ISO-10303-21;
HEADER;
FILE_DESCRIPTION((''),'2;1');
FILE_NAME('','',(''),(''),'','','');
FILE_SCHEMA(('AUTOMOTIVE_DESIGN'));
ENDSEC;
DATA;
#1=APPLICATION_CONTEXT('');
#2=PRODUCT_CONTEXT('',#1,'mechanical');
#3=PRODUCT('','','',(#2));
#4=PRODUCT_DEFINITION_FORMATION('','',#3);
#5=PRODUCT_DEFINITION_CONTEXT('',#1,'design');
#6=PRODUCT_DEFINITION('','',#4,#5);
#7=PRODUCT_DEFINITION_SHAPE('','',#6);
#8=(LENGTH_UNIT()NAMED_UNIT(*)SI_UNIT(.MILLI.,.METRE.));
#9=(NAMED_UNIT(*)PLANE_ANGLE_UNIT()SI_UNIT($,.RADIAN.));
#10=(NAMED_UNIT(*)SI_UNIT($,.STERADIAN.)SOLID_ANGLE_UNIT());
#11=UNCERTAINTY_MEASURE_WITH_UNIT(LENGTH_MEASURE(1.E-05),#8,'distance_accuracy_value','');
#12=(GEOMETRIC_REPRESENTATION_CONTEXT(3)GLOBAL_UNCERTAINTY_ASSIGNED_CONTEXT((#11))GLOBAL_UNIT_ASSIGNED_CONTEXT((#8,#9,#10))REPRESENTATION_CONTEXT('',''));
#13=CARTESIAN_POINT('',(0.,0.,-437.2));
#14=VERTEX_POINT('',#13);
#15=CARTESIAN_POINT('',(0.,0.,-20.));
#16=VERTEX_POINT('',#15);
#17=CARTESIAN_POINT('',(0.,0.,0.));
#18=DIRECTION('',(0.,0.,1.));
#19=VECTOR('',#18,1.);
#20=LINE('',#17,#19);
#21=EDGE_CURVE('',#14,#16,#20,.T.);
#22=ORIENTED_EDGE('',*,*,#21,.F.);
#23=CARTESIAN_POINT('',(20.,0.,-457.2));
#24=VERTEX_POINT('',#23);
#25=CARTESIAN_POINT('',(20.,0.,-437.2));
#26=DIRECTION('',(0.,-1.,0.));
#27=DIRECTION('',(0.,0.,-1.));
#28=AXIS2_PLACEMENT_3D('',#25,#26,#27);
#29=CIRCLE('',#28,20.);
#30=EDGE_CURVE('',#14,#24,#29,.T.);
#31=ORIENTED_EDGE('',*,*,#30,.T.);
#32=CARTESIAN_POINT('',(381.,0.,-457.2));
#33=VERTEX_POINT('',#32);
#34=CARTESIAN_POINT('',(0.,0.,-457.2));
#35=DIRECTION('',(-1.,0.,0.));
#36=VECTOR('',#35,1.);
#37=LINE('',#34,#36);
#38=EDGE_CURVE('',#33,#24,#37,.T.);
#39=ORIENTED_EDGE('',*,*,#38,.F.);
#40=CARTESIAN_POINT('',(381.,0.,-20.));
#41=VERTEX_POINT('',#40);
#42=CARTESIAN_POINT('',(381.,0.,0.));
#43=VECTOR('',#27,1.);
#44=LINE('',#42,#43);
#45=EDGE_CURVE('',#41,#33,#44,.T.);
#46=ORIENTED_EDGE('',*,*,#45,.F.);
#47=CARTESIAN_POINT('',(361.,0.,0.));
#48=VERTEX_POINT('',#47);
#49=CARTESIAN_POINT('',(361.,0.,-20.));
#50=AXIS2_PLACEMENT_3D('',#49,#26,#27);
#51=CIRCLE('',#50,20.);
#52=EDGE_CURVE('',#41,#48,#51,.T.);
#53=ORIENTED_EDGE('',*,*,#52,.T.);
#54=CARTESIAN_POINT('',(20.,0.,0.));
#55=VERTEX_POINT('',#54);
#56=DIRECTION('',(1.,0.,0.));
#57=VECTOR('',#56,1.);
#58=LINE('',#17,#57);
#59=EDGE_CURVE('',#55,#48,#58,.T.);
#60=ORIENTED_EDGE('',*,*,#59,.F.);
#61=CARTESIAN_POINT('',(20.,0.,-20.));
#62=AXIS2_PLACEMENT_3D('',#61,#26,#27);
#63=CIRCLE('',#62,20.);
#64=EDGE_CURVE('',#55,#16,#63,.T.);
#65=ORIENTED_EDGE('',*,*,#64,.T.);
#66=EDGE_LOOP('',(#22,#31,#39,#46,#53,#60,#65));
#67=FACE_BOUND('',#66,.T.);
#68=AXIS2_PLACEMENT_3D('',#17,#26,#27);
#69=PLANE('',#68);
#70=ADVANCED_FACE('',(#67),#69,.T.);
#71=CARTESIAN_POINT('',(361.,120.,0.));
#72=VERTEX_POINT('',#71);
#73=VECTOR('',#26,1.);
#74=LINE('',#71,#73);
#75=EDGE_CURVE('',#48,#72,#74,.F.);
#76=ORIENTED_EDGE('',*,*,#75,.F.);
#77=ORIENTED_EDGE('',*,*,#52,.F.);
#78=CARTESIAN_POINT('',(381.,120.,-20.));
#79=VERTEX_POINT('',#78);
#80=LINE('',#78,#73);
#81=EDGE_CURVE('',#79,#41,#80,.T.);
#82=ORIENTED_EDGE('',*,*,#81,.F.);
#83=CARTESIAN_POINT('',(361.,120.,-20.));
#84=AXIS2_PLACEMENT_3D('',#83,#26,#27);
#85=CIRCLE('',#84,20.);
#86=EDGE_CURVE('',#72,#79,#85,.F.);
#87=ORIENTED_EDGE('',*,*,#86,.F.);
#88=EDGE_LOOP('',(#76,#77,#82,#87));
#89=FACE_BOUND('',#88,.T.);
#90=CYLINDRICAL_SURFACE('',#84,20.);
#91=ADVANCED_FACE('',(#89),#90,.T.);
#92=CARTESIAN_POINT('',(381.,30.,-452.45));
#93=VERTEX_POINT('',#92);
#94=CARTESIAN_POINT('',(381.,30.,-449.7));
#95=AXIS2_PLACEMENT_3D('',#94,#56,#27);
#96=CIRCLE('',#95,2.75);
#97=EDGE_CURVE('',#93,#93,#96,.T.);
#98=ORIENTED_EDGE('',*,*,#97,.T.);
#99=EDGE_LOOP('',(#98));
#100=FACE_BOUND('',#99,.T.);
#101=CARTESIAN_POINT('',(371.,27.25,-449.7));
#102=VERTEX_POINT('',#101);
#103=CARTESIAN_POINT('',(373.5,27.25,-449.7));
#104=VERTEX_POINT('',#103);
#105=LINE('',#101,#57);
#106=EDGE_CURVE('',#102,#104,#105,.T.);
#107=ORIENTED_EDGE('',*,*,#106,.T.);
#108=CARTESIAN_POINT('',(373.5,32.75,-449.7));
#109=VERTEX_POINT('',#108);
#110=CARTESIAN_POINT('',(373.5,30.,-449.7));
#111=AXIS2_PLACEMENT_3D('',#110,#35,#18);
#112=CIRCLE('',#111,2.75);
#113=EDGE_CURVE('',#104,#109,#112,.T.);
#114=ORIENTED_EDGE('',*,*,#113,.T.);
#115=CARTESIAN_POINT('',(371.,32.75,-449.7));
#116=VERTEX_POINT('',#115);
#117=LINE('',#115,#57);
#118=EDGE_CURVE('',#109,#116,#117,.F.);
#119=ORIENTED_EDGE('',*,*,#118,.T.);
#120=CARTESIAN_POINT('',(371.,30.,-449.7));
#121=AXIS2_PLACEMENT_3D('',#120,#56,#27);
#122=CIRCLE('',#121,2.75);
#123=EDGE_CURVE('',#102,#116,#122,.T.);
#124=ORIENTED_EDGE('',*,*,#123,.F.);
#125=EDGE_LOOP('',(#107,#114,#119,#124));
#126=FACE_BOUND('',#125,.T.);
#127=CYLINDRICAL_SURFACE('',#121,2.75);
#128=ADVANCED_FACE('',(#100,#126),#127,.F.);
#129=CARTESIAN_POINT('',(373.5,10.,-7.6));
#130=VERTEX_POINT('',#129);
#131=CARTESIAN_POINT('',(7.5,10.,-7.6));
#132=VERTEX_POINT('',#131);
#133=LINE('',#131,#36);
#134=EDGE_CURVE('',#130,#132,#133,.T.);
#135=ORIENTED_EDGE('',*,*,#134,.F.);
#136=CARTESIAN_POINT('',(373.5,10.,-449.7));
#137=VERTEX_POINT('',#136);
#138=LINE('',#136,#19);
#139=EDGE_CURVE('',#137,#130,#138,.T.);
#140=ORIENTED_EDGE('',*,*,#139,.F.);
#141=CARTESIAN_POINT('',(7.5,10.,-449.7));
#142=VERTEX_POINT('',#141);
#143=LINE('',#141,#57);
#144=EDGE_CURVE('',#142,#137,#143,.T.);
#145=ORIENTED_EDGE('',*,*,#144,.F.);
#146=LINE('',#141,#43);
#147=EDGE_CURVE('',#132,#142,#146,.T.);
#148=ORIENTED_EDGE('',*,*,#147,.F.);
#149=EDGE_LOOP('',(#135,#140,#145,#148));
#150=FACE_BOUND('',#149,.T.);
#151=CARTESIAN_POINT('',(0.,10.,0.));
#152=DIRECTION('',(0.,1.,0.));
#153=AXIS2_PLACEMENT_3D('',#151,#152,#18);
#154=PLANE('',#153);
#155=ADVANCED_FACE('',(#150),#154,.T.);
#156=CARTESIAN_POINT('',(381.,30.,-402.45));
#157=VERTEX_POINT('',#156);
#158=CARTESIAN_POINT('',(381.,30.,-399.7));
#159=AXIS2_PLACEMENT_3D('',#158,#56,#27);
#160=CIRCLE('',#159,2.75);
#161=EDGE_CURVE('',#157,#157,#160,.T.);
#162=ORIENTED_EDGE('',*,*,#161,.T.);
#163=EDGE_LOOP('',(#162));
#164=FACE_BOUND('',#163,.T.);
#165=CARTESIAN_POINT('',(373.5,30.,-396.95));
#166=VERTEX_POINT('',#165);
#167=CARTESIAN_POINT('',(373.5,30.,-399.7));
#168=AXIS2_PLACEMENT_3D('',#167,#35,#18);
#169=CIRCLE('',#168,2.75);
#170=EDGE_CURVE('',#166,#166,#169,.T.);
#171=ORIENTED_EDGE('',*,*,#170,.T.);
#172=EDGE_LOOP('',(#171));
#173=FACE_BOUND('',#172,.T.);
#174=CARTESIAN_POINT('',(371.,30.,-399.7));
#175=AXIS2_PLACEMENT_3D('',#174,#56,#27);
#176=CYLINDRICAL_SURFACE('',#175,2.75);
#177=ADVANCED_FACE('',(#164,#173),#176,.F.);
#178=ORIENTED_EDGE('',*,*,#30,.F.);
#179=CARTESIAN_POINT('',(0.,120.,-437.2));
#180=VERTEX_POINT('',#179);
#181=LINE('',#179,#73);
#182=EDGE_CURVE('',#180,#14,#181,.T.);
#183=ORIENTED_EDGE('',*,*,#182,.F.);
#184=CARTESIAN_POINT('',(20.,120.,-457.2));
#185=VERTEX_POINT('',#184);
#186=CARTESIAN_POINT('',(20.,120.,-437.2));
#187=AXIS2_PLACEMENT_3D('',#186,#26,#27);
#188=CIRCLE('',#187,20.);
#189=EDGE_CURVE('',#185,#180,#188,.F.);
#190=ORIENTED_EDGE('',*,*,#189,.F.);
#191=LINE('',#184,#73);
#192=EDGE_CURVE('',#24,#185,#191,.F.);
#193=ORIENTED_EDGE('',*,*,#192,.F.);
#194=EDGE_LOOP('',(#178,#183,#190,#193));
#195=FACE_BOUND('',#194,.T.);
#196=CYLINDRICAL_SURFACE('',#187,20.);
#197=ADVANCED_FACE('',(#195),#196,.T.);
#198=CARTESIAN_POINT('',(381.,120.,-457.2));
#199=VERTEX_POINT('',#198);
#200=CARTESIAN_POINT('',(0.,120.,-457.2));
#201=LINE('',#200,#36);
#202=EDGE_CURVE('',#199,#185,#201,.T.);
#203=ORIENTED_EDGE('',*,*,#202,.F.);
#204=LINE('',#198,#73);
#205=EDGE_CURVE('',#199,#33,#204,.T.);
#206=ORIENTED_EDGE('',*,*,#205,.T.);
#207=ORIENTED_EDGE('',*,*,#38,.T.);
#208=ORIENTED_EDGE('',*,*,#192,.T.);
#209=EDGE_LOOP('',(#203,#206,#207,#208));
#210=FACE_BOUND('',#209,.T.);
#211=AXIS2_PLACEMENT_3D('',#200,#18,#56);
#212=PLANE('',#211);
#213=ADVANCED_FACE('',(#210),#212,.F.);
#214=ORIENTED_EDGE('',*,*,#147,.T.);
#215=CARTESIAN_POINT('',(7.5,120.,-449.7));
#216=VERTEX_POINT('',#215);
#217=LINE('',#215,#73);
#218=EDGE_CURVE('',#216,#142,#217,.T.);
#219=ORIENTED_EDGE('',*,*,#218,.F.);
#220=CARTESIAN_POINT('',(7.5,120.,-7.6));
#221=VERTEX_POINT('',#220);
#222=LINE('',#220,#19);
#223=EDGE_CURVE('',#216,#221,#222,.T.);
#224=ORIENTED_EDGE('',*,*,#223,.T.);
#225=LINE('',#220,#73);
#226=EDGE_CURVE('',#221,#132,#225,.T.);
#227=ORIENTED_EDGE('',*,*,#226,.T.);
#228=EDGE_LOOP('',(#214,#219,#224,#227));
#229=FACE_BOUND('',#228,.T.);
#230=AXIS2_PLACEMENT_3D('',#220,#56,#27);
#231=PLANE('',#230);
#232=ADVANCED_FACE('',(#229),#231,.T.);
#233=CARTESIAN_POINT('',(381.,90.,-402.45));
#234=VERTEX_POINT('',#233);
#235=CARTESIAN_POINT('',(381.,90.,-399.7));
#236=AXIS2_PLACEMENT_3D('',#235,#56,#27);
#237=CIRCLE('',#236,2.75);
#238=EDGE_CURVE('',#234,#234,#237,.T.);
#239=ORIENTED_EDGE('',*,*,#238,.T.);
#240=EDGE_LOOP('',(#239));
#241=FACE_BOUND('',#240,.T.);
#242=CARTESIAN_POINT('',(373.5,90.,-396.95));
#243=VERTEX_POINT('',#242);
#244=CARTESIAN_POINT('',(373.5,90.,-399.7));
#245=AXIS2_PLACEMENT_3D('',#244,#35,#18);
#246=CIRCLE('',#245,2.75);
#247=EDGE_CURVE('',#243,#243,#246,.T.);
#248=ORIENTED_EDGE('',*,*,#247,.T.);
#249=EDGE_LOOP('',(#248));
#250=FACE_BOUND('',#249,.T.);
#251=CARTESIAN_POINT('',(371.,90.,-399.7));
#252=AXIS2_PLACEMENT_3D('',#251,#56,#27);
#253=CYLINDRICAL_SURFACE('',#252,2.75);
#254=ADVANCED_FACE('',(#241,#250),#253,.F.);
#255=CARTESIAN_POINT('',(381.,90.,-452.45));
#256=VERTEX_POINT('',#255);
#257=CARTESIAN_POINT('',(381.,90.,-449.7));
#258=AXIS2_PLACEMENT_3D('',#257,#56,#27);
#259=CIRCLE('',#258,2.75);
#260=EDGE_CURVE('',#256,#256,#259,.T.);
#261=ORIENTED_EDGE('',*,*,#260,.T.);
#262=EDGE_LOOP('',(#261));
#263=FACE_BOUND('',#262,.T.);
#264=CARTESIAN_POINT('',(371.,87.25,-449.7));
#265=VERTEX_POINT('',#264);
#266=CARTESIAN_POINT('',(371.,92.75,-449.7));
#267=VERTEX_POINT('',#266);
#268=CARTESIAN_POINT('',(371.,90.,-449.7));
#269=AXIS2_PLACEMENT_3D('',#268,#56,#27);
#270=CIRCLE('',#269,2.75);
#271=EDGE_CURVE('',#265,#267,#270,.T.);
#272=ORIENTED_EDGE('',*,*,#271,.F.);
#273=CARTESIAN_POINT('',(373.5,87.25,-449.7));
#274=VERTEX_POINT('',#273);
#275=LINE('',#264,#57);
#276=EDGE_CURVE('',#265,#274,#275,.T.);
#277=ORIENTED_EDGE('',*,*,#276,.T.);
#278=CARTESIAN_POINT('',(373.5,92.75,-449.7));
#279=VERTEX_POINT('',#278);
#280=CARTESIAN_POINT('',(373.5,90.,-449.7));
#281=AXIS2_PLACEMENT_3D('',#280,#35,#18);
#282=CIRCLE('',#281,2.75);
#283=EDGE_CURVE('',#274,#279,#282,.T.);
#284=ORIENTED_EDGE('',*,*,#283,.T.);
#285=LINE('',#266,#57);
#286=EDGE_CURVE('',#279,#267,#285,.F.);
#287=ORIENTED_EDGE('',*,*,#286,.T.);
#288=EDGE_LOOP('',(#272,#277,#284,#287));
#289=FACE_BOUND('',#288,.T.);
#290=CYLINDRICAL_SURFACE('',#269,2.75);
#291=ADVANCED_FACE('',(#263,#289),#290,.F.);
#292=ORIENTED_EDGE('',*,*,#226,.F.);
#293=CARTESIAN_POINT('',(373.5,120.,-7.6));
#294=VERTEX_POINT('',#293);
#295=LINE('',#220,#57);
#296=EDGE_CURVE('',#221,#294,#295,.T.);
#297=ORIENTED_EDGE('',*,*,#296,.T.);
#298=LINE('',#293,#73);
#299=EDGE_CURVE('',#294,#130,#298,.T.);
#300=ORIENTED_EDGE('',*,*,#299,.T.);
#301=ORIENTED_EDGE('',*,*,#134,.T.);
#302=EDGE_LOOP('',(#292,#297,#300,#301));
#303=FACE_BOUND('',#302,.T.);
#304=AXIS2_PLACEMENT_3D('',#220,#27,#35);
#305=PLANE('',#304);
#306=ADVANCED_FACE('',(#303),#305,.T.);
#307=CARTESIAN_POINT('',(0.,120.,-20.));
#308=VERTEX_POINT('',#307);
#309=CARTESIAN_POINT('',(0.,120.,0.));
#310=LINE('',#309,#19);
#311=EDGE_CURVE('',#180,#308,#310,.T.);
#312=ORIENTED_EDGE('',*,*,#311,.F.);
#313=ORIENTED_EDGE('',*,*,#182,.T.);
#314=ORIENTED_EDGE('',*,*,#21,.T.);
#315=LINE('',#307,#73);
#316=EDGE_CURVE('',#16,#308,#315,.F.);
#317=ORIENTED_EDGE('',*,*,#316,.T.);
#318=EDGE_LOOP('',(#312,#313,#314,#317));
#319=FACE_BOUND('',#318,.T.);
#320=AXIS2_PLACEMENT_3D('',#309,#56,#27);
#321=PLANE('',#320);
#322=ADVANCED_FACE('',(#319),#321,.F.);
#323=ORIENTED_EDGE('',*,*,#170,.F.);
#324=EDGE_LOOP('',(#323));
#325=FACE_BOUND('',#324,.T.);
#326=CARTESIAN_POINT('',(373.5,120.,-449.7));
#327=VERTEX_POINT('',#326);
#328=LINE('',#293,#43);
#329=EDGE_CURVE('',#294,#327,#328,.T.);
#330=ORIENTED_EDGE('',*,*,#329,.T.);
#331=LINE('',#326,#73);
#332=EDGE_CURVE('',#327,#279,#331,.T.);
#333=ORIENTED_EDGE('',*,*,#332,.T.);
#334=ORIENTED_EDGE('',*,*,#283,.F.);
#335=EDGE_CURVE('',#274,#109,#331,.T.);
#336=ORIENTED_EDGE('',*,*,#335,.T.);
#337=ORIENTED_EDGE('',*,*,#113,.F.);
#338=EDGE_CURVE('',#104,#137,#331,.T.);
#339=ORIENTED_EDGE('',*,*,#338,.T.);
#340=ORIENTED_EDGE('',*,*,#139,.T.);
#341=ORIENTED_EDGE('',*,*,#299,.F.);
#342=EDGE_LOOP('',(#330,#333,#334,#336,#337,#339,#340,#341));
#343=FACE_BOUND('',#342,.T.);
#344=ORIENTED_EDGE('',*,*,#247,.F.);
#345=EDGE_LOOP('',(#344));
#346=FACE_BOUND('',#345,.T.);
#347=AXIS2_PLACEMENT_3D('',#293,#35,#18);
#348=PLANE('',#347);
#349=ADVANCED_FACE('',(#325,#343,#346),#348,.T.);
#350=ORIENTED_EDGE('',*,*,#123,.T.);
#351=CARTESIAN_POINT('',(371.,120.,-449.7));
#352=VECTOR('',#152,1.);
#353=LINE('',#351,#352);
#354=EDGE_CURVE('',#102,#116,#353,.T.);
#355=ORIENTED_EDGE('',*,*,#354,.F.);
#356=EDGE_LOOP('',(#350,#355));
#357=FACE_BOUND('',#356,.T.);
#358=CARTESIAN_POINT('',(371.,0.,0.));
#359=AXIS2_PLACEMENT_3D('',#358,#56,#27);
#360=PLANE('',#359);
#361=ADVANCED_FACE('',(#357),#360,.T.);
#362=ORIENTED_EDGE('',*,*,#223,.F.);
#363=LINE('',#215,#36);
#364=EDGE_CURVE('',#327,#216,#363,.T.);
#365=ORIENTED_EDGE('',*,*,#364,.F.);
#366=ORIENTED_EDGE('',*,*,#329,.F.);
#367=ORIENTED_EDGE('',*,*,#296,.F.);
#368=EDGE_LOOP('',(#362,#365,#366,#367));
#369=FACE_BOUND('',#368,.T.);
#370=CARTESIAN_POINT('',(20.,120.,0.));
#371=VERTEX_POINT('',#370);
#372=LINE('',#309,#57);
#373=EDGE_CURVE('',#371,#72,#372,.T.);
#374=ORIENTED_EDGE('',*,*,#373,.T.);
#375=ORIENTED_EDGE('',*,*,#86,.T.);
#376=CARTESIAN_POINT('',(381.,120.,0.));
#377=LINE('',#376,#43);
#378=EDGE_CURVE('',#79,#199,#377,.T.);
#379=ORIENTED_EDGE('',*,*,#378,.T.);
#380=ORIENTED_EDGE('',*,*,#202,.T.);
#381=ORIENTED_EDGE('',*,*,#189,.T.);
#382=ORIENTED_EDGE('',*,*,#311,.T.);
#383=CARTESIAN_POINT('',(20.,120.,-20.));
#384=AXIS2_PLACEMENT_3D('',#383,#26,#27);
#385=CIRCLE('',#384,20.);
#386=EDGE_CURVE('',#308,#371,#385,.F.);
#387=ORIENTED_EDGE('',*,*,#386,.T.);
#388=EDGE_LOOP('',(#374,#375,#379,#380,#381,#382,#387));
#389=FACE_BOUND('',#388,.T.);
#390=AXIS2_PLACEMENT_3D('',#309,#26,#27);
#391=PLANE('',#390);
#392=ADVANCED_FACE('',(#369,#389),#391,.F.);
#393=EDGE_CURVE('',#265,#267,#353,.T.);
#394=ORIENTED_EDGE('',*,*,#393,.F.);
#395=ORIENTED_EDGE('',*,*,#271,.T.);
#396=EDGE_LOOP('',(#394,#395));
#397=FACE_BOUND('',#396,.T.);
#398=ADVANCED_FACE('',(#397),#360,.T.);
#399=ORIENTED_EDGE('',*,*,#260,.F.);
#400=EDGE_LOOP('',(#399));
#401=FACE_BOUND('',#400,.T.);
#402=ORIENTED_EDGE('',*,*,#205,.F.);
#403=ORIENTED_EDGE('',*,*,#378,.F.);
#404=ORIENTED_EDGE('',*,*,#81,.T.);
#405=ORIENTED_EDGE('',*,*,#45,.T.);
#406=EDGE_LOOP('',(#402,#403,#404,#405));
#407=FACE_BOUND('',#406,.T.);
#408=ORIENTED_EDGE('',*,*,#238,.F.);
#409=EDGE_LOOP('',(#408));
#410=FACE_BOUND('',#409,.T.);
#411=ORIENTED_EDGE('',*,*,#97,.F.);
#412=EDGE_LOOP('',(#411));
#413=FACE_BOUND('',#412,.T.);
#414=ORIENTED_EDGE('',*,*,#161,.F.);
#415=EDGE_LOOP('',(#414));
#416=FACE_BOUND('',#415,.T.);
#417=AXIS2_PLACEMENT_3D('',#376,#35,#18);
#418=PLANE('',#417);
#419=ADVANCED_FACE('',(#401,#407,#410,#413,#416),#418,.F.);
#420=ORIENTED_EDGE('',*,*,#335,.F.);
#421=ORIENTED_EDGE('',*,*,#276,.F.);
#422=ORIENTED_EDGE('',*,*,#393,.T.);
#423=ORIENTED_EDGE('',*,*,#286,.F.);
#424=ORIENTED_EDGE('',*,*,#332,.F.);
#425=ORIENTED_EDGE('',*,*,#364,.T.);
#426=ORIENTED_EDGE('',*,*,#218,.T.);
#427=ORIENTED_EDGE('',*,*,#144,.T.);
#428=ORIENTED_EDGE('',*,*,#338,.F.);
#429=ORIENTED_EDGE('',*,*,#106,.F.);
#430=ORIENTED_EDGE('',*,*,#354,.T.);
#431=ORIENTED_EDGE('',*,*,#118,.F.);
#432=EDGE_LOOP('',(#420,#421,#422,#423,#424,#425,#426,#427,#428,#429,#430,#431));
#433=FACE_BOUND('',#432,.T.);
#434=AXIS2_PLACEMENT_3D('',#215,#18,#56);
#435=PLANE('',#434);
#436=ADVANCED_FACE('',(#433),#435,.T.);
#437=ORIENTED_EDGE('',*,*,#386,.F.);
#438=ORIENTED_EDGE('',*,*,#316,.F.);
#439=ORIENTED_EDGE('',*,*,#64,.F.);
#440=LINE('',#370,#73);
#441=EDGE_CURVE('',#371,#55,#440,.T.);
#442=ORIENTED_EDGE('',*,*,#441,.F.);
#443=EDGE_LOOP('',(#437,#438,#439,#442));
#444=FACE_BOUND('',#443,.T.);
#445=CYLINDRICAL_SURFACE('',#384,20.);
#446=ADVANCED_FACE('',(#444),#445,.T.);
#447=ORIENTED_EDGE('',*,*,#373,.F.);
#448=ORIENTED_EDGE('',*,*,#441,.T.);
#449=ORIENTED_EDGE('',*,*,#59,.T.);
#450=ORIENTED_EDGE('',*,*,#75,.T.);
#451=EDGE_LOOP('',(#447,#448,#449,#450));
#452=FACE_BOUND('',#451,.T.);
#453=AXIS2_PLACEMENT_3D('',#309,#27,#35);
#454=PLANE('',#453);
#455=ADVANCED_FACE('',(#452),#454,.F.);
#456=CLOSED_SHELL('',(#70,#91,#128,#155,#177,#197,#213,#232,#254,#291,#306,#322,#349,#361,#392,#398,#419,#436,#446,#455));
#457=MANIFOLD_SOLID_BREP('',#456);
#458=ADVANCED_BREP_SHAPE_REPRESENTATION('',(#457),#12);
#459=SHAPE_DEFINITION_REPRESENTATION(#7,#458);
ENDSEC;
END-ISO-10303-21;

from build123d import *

# Parameters (mm, degrees)
SKETCH1_W           = 381
SKETCH1_H           = 457.2
SKETCH1_W_2         = 366
SKETCH1_H_2         = 442.1
BOSS_EXTRUDE1_DEPTH = 120
SKETCH2_W           = 366
SKETCH2_H           = 442.1
BOSS_EXTRUDE2_DEPTH = 10
FILLET1_R           = 20
CUT_EXTRUDE1_DEPTH  = 10


with BuildPart() as part:
    # Sketch1 → Boss-Extrude1 (new body)
    with BuildSketch(Plane(origin=(0, 0, 0), x_dir=(1, 0, 0), z_dir=(0, 1, 0))):
        with Locations((190.5, 228.6)):
            Rectangle(SKETCH1_W, SKETCH1_H)
        with Locations((190.5, 228.65)):
            Rectangle(SKETCH1_W_2, SKETCH1_H_2, mode=Mode.SUBTRACT)
    extrude(amount=BOSS_EXTRUDE1_DEPTH)

    # Sketch2 → Boss-Extrude2 (add)
    with BuildSketch(Plane.XZ):
        with Locations((190.5, -228.65)):
            Rectangle(SKETCH2_W, SKETCH2_H)
    extrude(amount=-BOSS_EXTRUDE2_DEPTH)

    # Fillet1
    fillet1_edges = [part.edges().sort_by_distance(p)[0] for p in [
        (0, 60, -457.2),
        (381, 60, 0),
        (0, 60, 0),
    ]]
    fillet(fillet1_edges, radius=FILLET1_R)

    # Sketch3 → Cut-Extrude1 (cut)
    with BuildSketch(Plane(origin=(381, 0, 0), x_dir=(0, 0, -1), z_dir=(1, 0, 0))):
        with BuildLine():
            Line((399.7, 87.25), (399.7, 90))
            Line((399.7, 90), (402.45, 90))
            ThreePointArc((402.45, 90), (397.755456352, 91.944543648), (399.7, 87.25))
        make_face()
        with BuildLine():
            Line((402.45, 90), (399.7, 90))
            Line((399.7, 90), (399.7, 87.25))
            ThreePointArc((399.7, 87.25), (401.644543648, 88.055456352), (402.45, 90))
        make_face()
        with BuildLine():
            ThreePointArc((452.45, 90), (449.7, 92.75), (446.95, 90))
            Line((446.95, 90), (449.7, 90))
            Line((449.7, 90), (449.7, 87.25))
            ThreePointArc((449.7, 87.25), (451.644543648, 88.055456352), (452.45, 90))
        make_face()
        with BuildLine():
            Line((449.7, 90), (446.95, 90))
            ThreePointArc((446.95, 90), (447.755456352, 88.055456352), (449.7, 87.25))
            Line((449.7, 87.25), (449.7, 90))
        make_face()
        with BuildLine():
            ThreePointArc((452.45, 30), (451.644543648, 31.944543648), (449.7, 32.75))
            Line((449.7, 32.75), (449.7, 30))
            Line((449.7, 30), (446.95, 30))
            ThreePointArc((446.95, 30), (449.7, 27.25), (452.45, 30))
        make_face()
        with BuildLine():
            Line((449.7, 30), (449.7, 32.75))
            ThreePointArc((449.7, 32.75), (447.755456352, 31.944543648), (446.95, 30))
            Line((446.95, 30), (449.7, 30))
        make_face()
        with BuildLine():
            ThreePointArc((402.45, 30), (401.644543648, 31.944543648), (399.7, 32.75))
            Line((399.7, 32.75), (399.7, 30))
            Line((399.7, 30), (402.45, 30))
        make_face()
        with BuildLine():
            Line((399.7, 30), (399.7, 32.75))
            ThreePointArc((399.7, 32.75), (397.755456352, 28.055456352), (402.45, 30))
            Line((402.45, 30), (399.7, 30))
        make_face()
    extrude(amount=-CUT_EXTRUDE1_DEPTH, mode=Mode.SUBTRACT)


solid = part.part
